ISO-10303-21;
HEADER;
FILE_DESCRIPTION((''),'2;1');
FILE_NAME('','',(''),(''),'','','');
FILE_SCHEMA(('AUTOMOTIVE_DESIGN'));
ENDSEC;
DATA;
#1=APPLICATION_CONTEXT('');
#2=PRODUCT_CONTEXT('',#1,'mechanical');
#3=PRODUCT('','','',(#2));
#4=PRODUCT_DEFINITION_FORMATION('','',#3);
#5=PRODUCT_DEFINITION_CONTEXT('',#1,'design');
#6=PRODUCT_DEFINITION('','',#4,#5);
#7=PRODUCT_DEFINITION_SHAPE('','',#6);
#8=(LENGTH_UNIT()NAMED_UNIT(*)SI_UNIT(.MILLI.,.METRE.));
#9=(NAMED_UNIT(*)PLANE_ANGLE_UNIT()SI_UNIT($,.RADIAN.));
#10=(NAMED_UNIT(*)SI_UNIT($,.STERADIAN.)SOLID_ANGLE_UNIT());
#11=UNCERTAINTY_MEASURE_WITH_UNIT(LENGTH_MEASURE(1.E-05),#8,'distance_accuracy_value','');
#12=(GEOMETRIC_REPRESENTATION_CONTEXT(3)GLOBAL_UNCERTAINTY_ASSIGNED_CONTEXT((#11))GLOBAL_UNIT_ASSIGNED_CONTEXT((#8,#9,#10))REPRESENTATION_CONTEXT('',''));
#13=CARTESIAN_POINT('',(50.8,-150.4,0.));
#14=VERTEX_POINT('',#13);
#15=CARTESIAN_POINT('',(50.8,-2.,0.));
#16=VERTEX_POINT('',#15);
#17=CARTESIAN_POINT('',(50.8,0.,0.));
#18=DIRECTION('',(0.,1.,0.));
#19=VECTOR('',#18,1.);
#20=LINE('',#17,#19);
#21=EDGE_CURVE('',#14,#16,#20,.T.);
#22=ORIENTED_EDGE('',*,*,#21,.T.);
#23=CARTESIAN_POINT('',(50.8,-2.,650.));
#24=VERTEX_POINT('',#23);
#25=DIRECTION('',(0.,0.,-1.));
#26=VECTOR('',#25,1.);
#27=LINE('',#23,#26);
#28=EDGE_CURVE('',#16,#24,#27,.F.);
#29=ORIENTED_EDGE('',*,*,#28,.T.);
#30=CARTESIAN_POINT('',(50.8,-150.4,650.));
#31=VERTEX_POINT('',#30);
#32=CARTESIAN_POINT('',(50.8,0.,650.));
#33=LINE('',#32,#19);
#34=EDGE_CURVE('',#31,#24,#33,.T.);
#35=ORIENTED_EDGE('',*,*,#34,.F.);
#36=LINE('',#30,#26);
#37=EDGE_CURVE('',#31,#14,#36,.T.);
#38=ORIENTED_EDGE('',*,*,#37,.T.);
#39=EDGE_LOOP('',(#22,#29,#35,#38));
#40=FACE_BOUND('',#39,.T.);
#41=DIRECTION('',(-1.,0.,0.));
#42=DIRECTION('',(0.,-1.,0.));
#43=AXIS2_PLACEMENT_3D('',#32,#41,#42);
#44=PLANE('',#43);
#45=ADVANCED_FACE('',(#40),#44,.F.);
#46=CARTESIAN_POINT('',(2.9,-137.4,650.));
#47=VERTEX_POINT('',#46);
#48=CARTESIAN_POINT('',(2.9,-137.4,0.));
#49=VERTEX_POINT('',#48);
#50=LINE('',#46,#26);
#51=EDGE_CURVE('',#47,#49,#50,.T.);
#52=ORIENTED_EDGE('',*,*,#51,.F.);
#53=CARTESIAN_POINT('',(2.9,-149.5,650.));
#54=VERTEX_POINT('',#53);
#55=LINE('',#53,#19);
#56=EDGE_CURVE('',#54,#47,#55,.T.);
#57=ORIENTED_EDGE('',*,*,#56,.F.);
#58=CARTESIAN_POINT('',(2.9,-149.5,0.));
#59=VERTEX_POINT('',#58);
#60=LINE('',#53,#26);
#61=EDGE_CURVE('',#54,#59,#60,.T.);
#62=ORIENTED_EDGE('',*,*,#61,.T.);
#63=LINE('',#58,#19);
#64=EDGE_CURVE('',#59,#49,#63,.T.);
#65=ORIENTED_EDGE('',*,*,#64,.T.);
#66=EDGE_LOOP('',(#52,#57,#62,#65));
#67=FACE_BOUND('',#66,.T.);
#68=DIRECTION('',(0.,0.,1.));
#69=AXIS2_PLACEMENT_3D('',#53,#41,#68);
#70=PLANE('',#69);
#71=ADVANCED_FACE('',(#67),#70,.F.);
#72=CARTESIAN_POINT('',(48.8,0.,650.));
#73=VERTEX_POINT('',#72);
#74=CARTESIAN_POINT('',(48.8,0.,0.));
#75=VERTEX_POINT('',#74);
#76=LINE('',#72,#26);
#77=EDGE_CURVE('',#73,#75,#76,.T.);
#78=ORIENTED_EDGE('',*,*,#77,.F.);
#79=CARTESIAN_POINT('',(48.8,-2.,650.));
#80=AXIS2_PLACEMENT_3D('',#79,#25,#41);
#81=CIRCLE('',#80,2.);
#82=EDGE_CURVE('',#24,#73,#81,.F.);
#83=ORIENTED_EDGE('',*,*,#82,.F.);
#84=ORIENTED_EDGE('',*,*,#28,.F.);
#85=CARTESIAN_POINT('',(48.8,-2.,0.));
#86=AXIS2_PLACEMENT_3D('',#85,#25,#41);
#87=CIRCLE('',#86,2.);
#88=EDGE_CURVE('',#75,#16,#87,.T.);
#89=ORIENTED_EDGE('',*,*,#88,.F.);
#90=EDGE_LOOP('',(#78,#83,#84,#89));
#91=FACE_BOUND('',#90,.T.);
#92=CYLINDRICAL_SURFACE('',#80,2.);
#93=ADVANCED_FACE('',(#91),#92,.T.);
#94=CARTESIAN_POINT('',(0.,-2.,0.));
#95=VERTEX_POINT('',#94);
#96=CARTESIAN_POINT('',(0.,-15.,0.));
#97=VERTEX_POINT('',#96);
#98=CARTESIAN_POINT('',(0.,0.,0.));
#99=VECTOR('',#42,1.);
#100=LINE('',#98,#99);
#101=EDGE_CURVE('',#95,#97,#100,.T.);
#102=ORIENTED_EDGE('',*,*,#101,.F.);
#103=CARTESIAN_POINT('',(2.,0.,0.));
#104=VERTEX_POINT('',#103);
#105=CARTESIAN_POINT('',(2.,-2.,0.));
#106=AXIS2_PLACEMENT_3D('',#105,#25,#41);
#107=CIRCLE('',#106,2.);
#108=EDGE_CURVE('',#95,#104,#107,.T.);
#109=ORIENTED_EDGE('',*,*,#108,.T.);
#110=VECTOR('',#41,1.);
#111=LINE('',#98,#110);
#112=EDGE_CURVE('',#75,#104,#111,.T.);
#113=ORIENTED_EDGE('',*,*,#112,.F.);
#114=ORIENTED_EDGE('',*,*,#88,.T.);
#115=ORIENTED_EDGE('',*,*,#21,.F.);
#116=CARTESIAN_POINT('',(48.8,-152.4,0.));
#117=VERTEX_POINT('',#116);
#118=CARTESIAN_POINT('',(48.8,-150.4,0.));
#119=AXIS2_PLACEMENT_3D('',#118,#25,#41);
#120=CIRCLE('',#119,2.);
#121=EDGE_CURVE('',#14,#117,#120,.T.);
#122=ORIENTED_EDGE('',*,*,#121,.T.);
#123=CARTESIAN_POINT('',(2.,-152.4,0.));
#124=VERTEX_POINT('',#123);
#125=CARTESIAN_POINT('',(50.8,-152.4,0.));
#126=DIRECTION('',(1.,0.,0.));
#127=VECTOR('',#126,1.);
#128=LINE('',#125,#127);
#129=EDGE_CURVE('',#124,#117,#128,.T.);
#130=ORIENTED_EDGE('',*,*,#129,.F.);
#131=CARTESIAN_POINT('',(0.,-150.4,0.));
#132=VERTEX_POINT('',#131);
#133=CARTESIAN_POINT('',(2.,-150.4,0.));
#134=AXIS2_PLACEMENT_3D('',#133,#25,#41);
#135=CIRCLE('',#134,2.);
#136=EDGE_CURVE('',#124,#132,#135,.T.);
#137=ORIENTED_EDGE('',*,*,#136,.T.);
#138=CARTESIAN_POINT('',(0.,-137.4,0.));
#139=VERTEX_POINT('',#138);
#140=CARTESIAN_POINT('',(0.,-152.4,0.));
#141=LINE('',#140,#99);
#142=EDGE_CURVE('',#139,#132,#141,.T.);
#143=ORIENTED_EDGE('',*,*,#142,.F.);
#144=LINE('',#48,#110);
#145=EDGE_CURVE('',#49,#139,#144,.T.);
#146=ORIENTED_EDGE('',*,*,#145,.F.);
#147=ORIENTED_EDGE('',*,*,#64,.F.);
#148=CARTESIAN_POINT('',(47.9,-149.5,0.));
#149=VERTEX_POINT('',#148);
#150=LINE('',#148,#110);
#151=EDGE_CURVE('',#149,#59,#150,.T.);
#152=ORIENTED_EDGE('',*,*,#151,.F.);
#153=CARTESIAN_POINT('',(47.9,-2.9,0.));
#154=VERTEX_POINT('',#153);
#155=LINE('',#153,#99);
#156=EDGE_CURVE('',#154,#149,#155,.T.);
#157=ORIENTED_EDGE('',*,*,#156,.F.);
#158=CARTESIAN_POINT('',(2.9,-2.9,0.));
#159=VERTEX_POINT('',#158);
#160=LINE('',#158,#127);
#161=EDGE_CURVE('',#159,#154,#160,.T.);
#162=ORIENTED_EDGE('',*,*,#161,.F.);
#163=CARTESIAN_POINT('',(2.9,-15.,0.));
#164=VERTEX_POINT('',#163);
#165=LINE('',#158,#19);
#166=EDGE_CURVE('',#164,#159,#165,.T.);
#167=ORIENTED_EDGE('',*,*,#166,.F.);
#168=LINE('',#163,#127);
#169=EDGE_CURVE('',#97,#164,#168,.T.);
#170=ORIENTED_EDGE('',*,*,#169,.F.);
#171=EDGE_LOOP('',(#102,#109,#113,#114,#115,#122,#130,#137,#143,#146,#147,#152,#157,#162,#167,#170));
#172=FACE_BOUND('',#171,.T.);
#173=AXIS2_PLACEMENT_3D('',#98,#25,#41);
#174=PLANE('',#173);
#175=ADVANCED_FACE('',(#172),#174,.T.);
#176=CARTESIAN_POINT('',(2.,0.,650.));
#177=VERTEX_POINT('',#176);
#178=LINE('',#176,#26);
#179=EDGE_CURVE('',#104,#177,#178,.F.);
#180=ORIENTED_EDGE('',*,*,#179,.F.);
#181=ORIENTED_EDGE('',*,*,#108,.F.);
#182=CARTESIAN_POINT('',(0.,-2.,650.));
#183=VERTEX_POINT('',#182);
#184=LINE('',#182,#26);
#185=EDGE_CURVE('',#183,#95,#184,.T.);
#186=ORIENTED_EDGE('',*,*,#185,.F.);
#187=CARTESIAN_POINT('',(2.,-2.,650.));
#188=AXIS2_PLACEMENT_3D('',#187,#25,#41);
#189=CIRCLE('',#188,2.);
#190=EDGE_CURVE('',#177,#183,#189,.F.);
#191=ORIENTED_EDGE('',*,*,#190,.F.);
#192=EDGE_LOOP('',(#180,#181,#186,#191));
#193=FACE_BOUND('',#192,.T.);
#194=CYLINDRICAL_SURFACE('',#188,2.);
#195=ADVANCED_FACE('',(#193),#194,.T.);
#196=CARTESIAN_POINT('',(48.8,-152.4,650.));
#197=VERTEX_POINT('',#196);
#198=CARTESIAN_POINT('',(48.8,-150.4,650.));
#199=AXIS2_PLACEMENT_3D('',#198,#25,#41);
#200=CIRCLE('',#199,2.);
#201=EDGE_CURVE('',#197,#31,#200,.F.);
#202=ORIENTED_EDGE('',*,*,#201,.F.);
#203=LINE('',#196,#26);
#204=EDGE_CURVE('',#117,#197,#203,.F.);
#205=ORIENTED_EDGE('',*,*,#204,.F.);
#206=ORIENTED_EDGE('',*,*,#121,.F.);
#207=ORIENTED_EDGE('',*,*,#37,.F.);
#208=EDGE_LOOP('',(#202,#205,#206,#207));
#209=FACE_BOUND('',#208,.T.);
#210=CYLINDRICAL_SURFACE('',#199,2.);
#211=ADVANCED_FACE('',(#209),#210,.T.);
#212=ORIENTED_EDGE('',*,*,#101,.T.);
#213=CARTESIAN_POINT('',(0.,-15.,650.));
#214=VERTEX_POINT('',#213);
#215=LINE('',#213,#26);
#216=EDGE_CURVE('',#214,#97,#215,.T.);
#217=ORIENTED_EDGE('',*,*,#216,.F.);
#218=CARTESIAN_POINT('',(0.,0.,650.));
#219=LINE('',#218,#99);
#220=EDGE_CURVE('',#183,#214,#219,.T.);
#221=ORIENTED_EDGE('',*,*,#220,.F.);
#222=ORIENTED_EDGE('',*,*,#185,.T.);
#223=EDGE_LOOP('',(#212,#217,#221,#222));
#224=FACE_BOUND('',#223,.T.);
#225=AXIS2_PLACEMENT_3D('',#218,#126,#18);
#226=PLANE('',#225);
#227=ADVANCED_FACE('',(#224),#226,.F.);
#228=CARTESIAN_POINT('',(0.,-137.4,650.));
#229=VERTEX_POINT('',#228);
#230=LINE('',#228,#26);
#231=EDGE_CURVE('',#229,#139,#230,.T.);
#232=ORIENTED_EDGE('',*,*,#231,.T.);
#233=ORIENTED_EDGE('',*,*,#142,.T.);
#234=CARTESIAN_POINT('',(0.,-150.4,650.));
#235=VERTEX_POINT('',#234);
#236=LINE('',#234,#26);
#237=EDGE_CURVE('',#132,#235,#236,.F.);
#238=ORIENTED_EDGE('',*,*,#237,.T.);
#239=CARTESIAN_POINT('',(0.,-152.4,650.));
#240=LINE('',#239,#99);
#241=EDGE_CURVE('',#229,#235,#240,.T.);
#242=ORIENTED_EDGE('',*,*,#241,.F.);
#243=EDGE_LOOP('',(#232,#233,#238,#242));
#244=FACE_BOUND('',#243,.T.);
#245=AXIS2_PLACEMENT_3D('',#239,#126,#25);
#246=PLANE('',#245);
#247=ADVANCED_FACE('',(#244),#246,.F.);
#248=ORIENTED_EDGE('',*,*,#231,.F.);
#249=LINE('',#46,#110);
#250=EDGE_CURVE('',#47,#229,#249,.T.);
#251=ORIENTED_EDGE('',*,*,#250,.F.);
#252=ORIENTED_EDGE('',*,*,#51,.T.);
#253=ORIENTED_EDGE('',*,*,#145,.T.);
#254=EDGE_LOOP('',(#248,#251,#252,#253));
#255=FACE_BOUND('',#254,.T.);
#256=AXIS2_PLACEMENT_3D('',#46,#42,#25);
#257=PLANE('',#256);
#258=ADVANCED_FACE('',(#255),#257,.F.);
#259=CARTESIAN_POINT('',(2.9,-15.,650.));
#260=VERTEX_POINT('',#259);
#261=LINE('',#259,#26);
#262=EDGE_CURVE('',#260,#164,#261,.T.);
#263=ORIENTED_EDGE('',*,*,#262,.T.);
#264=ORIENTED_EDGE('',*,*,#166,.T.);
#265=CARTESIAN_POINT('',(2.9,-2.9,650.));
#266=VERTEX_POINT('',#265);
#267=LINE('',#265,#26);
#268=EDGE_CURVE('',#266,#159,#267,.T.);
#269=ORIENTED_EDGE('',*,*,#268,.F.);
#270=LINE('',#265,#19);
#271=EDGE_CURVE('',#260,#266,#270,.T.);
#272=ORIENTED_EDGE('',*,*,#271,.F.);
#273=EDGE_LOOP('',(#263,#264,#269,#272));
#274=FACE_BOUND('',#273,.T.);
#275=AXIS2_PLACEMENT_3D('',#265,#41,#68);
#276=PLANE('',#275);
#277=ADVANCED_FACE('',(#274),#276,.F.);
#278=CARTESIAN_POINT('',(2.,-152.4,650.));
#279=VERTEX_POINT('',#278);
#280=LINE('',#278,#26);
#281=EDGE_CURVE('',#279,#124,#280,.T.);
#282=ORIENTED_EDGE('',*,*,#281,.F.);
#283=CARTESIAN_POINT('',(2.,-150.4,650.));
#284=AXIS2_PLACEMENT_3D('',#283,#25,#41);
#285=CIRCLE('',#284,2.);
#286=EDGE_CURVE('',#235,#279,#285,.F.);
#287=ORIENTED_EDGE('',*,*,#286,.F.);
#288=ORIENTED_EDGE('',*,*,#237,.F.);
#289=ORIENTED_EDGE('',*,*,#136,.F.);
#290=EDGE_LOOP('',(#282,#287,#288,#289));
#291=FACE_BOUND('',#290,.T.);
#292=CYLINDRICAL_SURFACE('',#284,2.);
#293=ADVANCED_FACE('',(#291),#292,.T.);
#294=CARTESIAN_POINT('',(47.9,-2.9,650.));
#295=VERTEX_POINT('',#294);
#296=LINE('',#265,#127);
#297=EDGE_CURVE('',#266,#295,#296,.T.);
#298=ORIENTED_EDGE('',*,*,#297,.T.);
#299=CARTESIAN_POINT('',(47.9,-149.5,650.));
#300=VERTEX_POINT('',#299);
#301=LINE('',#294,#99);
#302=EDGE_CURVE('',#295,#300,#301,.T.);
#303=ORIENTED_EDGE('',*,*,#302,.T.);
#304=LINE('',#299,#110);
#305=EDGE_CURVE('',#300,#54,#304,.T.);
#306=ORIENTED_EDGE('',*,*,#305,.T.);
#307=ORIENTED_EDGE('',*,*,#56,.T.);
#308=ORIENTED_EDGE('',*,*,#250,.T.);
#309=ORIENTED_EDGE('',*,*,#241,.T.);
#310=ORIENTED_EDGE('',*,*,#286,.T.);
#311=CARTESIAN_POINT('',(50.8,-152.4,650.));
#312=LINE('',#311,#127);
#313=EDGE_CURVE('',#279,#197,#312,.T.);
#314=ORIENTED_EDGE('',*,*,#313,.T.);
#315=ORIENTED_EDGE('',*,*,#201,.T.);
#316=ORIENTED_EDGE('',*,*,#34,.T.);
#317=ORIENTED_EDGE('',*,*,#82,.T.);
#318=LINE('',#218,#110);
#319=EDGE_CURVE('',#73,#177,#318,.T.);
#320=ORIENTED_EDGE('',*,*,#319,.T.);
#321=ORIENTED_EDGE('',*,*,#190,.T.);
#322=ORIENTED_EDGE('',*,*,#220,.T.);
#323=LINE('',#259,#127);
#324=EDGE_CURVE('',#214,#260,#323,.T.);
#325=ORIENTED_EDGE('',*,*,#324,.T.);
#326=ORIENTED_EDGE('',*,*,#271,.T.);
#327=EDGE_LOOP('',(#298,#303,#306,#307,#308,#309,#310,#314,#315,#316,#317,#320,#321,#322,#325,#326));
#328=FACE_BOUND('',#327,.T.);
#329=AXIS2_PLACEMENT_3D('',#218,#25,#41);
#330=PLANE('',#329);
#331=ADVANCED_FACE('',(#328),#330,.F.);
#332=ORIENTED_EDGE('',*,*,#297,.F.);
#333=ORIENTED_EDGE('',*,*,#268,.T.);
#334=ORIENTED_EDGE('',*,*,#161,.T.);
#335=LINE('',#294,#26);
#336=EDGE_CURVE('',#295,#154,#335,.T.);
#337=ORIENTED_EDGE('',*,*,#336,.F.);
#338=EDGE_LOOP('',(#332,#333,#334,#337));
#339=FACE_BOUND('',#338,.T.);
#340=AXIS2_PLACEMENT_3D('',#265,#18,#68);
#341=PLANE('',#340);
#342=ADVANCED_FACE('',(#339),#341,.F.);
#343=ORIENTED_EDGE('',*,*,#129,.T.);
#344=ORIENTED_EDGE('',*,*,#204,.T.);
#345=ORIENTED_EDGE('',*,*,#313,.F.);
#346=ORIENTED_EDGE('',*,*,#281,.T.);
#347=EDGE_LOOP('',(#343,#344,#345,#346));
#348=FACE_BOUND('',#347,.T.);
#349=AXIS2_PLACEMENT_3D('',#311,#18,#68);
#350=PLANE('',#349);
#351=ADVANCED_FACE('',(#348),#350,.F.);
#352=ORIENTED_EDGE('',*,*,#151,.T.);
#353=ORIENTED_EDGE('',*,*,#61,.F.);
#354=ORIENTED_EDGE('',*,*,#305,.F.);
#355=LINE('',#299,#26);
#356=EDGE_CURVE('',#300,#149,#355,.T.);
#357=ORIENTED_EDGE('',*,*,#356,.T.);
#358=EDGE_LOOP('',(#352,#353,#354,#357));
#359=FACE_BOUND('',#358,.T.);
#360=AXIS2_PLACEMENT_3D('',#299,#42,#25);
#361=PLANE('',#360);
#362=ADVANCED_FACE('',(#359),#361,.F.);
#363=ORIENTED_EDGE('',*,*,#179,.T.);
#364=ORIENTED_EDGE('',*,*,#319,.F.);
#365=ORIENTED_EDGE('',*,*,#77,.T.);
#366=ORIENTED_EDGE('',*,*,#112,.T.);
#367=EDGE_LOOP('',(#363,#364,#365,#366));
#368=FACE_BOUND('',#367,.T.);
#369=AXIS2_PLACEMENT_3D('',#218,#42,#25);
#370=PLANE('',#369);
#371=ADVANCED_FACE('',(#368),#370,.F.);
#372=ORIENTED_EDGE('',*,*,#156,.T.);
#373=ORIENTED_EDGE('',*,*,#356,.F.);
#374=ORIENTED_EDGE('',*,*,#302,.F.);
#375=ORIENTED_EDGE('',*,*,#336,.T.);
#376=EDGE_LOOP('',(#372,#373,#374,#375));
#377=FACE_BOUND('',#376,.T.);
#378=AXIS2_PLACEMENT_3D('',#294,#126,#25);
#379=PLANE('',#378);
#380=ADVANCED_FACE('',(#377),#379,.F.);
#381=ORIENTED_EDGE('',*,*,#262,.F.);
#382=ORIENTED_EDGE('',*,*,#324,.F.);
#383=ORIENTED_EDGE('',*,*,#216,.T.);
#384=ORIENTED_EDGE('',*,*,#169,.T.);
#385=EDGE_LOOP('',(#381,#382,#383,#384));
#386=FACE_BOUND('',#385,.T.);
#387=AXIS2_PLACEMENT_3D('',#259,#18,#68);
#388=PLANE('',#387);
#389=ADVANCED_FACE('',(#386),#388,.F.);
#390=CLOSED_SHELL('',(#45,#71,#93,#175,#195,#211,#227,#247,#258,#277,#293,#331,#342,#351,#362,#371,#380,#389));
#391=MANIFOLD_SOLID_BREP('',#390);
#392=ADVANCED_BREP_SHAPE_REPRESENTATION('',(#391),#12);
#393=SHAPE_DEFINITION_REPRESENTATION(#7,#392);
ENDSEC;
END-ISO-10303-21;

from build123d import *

# Parameters (mm, degrees)
SALIENTE_EXTRUIR1_DEPTH = 650
REDONDEO1_R             = 2


with BuildPart() as part:
    # Croquis1 → Saliente-Extruir1 (new body)
    with BuildSketch(Plane.XY):
        Polygon((0, 0), (50.8, 0), (50.8, -152.4), (0, -152.4), (0, -137.4), (2.9, -137.4), (2.9, -149.5), (47.9, -149.5), (47.9, -2.9), (2.9, -2.9), (2.9, -15), (0, -15), align=None)
    extrude(amount=SALIENTE_EXTRUIR1_DEPTH)

    # Redondeo1
    redondeo1_edges = [part.edges().sort_by_distance(p)[0] for p in [
        (0, 0, 325),
        (50.8, 0, 325),
        (50.8, -152.4, 325),
        (0, -152.4, 325),
    ]]
    fillet(redondeo1_edges, radius=REDONDEO1_R)


solid = part.part
